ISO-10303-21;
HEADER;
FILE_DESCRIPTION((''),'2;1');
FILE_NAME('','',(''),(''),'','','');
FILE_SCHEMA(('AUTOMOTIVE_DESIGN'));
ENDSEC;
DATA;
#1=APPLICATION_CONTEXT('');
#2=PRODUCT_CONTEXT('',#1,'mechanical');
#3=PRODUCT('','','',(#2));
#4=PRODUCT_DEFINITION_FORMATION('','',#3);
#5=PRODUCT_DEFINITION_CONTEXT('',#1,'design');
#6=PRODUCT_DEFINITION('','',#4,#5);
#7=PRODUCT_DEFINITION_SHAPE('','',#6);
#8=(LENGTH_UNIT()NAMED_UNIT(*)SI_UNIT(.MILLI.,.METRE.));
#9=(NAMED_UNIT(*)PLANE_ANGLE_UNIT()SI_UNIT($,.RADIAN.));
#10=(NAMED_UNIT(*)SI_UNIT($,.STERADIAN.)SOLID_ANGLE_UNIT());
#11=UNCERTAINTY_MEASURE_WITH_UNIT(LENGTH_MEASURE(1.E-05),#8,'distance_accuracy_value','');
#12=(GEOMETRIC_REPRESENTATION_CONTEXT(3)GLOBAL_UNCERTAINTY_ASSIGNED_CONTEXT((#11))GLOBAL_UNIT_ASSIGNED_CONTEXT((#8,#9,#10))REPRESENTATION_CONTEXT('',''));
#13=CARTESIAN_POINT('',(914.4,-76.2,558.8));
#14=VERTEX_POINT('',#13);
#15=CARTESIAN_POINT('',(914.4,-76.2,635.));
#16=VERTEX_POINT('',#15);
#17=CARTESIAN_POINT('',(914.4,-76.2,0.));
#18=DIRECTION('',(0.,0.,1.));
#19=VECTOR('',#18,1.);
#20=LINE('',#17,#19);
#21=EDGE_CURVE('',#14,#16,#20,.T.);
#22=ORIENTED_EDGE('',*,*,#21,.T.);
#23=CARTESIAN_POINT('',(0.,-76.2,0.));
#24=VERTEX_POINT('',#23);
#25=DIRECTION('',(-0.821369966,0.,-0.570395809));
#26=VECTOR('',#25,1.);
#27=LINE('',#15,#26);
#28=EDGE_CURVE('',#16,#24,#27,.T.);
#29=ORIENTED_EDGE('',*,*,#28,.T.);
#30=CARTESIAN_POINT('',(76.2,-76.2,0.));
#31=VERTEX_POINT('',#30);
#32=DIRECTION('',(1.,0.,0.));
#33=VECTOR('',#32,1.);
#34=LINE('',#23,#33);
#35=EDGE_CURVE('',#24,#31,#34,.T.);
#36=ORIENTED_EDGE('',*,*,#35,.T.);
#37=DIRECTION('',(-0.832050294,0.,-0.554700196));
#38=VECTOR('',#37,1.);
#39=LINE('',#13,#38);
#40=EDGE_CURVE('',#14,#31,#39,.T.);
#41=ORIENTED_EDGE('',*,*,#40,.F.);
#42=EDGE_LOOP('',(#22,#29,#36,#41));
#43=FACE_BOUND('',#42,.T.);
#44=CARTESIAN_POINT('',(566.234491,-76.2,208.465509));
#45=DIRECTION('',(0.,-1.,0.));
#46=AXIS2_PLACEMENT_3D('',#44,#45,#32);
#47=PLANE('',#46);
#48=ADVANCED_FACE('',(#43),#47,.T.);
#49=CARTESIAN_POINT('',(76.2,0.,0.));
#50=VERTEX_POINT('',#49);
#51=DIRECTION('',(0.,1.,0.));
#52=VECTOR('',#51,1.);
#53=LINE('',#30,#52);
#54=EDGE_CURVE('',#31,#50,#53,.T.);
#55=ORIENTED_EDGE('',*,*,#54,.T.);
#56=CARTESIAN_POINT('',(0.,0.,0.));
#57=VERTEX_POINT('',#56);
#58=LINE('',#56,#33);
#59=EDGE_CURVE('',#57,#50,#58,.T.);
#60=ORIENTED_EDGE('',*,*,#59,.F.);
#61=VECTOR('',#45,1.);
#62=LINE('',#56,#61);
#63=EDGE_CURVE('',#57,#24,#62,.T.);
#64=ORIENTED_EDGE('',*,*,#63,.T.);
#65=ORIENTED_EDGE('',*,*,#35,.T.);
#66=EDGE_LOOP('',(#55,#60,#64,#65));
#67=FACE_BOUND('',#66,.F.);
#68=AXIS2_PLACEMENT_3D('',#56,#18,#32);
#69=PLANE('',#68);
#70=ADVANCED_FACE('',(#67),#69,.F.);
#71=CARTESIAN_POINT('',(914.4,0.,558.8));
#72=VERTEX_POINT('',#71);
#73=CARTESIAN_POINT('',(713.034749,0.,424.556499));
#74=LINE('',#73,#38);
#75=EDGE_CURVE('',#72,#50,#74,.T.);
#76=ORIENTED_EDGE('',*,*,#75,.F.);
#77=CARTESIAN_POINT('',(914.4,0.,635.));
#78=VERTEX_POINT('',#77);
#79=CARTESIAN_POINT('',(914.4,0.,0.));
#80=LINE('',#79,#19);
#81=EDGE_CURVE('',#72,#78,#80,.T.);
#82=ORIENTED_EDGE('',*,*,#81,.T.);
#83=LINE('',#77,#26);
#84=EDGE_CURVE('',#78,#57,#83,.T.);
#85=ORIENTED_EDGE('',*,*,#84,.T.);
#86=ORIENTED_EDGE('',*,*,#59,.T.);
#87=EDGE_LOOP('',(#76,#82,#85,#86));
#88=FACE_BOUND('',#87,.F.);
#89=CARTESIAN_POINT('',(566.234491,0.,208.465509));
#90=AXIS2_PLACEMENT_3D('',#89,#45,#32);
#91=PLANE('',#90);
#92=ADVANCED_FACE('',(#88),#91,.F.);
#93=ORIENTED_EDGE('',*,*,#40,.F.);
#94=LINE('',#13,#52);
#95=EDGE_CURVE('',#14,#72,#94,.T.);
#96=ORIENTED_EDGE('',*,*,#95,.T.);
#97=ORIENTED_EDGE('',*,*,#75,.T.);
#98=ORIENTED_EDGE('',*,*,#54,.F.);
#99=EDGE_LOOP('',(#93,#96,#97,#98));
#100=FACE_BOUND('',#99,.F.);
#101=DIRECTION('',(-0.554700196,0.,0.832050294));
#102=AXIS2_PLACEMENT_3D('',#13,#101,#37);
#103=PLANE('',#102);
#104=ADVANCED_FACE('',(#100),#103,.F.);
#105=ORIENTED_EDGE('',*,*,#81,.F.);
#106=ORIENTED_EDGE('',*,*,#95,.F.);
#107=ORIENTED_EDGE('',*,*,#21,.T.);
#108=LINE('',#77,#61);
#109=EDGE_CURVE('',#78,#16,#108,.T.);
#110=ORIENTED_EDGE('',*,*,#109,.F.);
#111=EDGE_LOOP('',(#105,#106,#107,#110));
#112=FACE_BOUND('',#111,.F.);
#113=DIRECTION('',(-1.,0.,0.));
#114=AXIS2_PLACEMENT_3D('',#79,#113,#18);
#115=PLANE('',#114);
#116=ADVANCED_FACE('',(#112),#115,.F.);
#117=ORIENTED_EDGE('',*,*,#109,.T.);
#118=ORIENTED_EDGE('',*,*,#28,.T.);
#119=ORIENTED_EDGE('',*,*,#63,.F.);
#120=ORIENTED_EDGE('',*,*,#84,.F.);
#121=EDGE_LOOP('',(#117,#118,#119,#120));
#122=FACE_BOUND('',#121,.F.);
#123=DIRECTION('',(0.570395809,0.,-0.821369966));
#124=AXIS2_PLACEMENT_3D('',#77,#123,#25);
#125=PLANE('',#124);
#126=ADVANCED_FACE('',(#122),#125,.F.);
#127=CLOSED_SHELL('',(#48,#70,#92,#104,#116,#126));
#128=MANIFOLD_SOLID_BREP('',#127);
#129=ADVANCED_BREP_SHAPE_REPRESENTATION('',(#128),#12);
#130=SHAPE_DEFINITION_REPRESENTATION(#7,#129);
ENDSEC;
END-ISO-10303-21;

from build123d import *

# Parameters (mm, degrees)
F1_DEPTH = 76.2
F3_DEPTH = 127


with BuildPart() as f1:
    # F0 (on Front) → F1 (new body)
    with BuildSketch(Plane.XZ):
        Polygon((914.4, 635), (0, 0), (914.4, 0), align=None)
    extrude(amount=F1_DEPTH)

    # F2 (on face) → F3 (cut)
    with BuildSketch(Plane.XZ.offset(76.2)):
        Polygon((76.2, 0), (914.4, 0), (914.4, 558.8), align=None)
    extrude(amount=-F3_DEPTH, mode=Mode.SUBTRACT)


solid = f1.part
